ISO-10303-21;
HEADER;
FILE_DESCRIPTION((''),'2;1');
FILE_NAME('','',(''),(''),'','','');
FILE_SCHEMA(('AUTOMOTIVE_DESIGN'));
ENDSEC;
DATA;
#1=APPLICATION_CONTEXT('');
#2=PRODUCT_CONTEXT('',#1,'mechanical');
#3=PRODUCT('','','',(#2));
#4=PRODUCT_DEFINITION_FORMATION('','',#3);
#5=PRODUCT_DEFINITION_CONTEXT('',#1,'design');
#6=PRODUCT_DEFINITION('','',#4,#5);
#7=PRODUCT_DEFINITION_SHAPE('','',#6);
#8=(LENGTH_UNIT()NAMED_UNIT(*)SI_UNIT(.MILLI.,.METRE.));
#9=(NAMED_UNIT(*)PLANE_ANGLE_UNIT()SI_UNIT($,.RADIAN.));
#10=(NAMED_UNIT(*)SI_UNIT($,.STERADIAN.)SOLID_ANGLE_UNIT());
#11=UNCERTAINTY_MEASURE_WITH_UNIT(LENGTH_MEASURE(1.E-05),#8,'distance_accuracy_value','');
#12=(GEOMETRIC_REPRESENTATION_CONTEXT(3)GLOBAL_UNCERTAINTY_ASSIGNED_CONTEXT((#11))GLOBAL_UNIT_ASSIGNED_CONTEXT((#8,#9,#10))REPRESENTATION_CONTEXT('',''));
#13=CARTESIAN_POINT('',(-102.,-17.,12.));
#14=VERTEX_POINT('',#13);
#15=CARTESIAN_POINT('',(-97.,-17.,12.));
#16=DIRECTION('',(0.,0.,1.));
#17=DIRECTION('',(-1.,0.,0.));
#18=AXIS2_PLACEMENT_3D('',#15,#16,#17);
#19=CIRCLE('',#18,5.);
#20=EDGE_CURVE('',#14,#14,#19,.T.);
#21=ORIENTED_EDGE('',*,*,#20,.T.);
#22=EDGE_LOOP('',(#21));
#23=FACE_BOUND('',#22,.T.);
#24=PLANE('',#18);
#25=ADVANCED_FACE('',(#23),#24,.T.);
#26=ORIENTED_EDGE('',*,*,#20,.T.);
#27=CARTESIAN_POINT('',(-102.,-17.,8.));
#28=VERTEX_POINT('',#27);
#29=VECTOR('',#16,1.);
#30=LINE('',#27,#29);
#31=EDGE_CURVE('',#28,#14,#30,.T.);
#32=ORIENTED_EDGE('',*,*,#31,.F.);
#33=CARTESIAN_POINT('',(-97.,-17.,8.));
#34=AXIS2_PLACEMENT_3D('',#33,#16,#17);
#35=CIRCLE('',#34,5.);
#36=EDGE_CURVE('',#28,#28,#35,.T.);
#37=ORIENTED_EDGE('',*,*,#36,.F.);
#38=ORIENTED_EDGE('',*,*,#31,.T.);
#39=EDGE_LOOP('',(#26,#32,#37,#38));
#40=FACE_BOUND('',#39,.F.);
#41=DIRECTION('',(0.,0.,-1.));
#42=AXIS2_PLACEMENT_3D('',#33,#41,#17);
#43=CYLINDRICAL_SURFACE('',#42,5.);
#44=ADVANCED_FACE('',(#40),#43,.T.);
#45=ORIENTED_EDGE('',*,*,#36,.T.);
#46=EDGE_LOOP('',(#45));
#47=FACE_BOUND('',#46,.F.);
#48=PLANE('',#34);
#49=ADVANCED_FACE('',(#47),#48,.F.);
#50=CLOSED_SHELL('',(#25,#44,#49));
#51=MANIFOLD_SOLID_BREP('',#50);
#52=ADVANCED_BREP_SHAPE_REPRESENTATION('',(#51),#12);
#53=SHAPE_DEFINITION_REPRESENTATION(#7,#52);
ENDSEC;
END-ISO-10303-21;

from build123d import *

# Parameters (mm, degrees)
CYLINDER004_R     = 5
CYLINDER004_DEPTH = 4


with BuildPart() as f_623zz:
    # Cylinder004 → Cylinder004 (new body)
    with BuildSketch(Plane(origin=(97, 17, 8), x_dir=(1, 0, 0), z_dir=(0, 0, 1))):
        Circle(CYLINDER004_R)
    extrude(amount=CYLINDER004_DEPTH)


with BuildPart() as part_mirroring007:
    # Part__Mirroring007: instance of 623ZZ
    add(f_623zz.part.mirror(Plane(origin=(0, 0, 0), x_dir=(1, 0, 0), z_dir=(0, 1, 0))))


with BuildPart() as part_mirroring009:
    # Part__Mirroring009: instance of Part__Mirroring007
    add(part_mirroring007.part.mirror(Plane(origin=(0, 0, 0), x_dir=(0, -1, 0), z_dir=(1, 0, 0))))


solid = part_mirroring009.part
